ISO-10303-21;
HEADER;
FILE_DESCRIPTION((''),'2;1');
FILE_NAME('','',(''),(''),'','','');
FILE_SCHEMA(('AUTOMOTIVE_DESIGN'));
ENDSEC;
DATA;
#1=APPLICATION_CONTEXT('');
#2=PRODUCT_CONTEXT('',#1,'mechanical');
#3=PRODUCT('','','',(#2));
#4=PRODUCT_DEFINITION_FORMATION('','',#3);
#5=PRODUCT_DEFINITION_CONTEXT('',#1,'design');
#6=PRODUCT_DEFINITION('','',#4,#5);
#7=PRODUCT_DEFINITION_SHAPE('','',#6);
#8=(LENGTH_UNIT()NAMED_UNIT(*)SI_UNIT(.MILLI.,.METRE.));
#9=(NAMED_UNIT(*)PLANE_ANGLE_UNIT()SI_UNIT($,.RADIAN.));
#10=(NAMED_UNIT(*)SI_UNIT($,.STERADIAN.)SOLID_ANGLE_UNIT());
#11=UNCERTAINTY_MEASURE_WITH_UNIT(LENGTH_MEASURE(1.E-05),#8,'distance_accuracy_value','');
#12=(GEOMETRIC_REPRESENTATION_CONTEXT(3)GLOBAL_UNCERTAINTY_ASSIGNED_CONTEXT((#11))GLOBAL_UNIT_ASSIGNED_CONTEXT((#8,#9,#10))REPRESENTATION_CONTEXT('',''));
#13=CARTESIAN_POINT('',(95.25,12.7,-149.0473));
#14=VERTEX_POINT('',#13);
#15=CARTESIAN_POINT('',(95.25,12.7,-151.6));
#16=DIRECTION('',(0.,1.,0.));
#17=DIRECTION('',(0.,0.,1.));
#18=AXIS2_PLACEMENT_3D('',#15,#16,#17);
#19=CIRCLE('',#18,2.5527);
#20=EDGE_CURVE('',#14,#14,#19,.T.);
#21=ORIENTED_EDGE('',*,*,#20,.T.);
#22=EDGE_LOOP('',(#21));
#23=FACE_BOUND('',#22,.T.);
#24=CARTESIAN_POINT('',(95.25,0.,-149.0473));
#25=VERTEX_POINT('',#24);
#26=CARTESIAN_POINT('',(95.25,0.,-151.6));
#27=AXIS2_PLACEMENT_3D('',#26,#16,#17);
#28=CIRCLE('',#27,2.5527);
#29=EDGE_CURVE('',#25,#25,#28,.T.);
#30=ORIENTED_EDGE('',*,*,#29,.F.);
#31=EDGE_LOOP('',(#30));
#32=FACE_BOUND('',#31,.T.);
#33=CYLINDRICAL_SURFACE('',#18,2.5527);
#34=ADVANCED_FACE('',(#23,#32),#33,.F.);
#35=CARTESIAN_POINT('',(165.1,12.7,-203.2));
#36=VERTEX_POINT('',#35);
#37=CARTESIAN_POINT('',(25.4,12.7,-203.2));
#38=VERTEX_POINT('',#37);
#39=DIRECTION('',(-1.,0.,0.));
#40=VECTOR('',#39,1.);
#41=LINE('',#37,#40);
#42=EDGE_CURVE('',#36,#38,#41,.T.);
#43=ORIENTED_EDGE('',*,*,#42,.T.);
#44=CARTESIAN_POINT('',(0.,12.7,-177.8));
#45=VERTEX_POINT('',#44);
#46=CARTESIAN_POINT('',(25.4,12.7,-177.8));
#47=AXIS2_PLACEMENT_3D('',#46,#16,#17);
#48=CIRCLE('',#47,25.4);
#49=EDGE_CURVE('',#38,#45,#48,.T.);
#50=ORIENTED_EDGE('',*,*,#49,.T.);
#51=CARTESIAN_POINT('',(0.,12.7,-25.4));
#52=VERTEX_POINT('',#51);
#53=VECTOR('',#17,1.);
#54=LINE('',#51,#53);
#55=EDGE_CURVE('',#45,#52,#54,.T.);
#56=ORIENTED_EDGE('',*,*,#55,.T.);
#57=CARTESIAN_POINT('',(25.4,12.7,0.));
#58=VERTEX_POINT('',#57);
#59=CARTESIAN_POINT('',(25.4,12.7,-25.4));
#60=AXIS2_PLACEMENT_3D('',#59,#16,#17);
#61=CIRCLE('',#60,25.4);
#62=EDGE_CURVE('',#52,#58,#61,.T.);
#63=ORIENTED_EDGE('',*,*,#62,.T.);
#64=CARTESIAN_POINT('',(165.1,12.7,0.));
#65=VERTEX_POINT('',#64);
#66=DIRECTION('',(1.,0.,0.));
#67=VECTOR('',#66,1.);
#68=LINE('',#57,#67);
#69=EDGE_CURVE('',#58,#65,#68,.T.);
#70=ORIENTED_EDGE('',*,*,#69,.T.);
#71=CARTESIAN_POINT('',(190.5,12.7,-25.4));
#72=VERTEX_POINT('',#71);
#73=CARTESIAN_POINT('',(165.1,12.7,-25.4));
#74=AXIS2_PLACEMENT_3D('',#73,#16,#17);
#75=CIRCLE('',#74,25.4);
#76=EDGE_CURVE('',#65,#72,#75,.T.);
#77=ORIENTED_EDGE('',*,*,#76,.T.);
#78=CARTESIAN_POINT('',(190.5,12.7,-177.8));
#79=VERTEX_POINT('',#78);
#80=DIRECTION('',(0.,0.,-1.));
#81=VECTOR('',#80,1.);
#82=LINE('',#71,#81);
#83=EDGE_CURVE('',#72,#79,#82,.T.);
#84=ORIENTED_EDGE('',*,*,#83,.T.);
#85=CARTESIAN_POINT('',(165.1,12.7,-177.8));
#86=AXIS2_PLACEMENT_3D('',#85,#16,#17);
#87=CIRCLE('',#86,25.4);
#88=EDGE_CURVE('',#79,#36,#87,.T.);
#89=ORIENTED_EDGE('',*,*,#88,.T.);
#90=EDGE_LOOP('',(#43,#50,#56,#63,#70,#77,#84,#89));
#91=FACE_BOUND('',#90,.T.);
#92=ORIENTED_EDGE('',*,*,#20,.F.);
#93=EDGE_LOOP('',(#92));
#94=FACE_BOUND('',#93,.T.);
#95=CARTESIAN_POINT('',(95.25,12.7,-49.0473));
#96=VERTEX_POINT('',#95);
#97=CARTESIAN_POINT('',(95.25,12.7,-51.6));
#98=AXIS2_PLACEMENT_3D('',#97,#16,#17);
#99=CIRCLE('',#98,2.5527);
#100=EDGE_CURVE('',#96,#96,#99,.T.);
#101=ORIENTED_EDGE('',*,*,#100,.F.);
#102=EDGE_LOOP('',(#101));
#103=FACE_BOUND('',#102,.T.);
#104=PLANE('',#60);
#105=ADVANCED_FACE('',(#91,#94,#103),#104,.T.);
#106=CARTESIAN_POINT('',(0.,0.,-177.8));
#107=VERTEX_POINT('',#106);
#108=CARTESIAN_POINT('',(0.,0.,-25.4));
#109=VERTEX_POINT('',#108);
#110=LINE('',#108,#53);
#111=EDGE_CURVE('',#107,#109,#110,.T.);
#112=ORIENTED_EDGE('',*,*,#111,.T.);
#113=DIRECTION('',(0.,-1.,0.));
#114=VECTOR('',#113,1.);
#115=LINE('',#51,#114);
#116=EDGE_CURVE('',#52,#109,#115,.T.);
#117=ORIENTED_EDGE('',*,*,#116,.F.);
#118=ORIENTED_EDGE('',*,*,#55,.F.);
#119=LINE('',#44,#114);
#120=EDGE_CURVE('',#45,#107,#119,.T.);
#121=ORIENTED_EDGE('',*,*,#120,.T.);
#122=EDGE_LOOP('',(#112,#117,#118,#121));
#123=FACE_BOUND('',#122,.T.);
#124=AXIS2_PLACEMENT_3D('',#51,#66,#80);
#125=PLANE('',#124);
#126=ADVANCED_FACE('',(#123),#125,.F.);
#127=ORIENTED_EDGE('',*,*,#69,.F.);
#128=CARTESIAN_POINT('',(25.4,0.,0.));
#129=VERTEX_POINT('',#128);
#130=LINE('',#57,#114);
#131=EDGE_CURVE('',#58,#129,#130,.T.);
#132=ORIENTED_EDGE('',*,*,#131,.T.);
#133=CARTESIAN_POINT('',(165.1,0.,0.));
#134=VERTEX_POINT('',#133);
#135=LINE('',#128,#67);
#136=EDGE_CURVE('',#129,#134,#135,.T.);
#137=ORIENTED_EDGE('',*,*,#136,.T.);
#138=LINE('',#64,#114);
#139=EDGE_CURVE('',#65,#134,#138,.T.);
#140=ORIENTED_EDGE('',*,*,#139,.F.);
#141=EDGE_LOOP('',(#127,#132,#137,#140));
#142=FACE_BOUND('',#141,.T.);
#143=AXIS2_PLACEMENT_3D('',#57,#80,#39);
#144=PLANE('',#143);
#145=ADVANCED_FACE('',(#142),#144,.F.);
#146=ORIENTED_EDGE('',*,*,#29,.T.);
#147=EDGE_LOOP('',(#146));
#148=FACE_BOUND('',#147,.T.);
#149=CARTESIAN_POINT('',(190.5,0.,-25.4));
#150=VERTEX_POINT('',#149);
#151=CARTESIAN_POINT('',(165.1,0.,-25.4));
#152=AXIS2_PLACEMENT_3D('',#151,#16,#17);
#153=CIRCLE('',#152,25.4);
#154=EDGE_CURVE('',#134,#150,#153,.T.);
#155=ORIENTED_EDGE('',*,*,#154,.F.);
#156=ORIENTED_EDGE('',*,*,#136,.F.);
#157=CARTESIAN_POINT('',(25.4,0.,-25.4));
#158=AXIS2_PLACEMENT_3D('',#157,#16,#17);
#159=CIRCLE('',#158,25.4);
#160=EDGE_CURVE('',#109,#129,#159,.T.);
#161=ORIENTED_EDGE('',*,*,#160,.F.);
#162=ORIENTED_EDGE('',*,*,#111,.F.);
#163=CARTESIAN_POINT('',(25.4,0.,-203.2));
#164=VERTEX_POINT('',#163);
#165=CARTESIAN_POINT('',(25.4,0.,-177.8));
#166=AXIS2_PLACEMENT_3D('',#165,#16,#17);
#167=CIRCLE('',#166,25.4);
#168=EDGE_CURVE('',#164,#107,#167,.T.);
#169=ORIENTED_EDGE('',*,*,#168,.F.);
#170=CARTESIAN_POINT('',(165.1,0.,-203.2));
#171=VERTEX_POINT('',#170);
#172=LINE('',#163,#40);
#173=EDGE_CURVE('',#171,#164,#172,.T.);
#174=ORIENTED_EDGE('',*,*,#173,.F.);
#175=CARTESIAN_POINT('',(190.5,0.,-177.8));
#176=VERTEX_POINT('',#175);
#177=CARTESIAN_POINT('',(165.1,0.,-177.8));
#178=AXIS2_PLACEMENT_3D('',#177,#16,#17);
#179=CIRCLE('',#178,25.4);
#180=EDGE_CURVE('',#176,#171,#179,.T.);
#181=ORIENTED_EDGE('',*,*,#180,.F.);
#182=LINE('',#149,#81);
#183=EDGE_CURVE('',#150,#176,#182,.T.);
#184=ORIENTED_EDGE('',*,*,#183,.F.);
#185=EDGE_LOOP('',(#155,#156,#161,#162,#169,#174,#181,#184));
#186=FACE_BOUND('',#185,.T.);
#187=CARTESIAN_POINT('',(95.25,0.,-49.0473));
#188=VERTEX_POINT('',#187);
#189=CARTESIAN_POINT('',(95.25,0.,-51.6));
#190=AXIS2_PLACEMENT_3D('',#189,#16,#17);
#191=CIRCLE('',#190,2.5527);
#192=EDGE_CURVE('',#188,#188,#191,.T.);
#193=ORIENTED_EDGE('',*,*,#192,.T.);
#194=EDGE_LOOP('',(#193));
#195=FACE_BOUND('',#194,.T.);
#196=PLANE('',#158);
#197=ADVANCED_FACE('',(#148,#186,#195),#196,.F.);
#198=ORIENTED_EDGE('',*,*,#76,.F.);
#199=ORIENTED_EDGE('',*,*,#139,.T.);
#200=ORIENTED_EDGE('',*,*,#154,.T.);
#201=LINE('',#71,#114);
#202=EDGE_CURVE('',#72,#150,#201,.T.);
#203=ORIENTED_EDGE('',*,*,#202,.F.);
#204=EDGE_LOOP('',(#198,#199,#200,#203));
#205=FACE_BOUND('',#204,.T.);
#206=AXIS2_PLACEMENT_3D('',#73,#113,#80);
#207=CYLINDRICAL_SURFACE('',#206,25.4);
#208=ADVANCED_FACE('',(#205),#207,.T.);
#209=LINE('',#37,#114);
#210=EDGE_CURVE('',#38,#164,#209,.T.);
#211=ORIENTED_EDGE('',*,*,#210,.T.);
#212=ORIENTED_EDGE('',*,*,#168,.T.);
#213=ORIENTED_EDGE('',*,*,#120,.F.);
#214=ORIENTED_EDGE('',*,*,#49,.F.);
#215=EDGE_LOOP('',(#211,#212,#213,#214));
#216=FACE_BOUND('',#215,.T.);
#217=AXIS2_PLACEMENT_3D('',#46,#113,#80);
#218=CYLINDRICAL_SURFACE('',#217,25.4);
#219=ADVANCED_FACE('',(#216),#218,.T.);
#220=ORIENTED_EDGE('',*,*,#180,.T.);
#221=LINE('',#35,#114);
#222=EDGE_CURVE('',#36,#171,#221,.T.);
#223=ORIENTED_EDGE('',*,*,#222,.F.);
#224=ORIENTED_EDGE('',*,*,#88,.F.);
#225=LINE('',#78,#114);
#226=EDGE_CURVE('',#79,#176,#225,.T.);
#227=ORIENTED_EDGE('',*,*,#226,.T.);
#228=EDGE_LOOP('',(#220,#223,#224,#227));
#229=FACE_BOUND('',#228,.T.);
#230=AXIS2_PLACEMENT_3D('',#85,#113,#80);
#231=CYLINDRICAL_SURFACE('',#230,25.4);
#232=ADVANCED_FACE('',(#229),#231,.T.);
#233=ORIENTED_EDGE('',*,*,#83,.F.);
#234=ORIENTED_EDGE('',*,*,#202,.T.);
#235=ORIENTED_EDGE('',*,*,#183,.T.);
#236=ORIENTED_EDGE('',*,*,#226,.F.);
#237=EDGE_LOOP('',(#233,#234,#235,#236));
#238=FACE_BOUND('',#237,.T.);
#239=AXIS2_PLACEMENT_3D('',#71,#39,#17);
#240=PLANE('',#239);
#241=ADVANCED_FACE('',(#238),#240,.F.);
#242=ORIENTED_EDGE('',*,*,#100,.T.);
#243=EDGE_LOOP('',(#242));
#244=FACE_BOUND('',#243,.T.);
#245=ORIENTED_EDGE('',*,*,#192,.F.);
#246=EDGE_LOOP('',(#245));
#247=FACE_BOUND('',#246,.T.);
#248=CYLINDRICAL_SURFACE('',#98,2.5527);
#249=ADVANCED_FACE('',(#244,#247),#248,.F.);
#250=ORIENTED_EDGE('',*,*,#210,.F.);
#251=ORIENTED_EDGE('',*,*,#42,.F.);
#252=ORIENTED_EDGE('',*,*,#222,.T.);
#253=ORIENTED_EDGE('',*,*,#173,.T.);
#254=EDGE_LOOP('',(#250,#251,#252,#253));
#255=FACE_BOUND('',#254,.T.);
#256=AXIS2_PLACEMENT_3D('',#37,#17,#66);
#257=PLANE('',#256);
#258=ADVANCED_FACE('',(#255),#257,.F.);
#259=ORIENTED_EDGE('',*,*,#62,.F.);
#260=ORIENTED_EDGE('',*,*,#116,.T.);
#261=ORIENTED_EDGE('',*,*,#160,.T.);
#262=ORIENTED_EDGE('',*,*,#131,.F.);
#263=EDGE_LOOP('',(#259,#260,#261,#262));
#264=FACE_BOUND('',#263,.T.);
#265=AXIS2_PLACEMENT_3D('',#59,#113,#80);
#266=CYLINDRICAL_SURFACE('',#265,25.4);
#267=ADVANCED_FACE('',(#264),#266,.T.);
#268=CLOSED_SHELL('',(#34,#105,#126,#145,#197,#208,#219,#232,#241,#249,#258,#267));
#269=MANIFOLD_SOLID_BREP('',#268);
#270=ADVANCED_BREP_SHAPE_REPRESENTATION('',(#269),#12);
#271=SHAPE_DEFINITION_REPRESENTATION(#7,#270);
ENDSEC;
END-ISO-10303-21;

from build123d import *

# Parameters (mm, degrees)
BOSS_EXTRUDE1_DEPTH         = 12.7
F_1_4_20_TAPPED_HOLE2_D     = 5.1054
F_1_4_20_TAPPED_HOLE2_DEPTH = 19.05
F_1_4_20_TAPPED_HOLE2_TIP   = 1.533816902


with BuildPart() as part:
    # Sketch1 → Boss-Extrude1 (new body)
    with BuildSketch(Plane(origin=(0, 0, 0), x_dir=(1, 0, 0), z_dir=(0, 1, 0))):
        with BuildLine():
            Line((25.4, 0), (165.1, 0))
            ThreePointArc((165.1, 0), (183.060512242, 7.439487758), (190.5, 25.4))
            Line((190.5, 25.4), (190.5, 177.8))
            ThreePointArc((190.5, 177.8), (183.060512242, 195.760512242), (165.1, 203.2))
            Line((165.1, 203.2), (25.4, 203.2))
            ThreePointArc((25.4, 203.2), (7.439487758, 195.760512242), (0, 177.8))
            Line((0, 177.8), (0, 25.4))
            ThreePointArc((0, 25.4), (7.439487758, 7.439487758), (25.4, 0))
        make_face()
    extrude(amount=BOSS_EXTRUDE1_DEPTH)

    # 1/4-20 Tapped Hole2
    with Locations(Plane(origin=(0, 12.7, 0), x_dir=(1, 0, 0), z_dir=(0, 1, 0))):
        with Locations((95.25, 151.6), (95.25, 51.6)):
            Hole(F_1_4_20_TAPPED_HOLE2_D / 2, depth=F_1_4_20_TAPPED_HOLE2_DEPTH)
            with Locations((0, 0, -(F_1_4_20_TAPPED_HOLE2_DEPTH + F_1_4_20_TAPPED_HOLE2_TIP / 2))):  # 118° drill point
                Cone(0, F_1_4_20_TAPPED_HOLE2_D / 2, F_1_4_20_TAPPED_HOLE2_TIP, mode=Mode.SUBTRACT)


solid = part.part
